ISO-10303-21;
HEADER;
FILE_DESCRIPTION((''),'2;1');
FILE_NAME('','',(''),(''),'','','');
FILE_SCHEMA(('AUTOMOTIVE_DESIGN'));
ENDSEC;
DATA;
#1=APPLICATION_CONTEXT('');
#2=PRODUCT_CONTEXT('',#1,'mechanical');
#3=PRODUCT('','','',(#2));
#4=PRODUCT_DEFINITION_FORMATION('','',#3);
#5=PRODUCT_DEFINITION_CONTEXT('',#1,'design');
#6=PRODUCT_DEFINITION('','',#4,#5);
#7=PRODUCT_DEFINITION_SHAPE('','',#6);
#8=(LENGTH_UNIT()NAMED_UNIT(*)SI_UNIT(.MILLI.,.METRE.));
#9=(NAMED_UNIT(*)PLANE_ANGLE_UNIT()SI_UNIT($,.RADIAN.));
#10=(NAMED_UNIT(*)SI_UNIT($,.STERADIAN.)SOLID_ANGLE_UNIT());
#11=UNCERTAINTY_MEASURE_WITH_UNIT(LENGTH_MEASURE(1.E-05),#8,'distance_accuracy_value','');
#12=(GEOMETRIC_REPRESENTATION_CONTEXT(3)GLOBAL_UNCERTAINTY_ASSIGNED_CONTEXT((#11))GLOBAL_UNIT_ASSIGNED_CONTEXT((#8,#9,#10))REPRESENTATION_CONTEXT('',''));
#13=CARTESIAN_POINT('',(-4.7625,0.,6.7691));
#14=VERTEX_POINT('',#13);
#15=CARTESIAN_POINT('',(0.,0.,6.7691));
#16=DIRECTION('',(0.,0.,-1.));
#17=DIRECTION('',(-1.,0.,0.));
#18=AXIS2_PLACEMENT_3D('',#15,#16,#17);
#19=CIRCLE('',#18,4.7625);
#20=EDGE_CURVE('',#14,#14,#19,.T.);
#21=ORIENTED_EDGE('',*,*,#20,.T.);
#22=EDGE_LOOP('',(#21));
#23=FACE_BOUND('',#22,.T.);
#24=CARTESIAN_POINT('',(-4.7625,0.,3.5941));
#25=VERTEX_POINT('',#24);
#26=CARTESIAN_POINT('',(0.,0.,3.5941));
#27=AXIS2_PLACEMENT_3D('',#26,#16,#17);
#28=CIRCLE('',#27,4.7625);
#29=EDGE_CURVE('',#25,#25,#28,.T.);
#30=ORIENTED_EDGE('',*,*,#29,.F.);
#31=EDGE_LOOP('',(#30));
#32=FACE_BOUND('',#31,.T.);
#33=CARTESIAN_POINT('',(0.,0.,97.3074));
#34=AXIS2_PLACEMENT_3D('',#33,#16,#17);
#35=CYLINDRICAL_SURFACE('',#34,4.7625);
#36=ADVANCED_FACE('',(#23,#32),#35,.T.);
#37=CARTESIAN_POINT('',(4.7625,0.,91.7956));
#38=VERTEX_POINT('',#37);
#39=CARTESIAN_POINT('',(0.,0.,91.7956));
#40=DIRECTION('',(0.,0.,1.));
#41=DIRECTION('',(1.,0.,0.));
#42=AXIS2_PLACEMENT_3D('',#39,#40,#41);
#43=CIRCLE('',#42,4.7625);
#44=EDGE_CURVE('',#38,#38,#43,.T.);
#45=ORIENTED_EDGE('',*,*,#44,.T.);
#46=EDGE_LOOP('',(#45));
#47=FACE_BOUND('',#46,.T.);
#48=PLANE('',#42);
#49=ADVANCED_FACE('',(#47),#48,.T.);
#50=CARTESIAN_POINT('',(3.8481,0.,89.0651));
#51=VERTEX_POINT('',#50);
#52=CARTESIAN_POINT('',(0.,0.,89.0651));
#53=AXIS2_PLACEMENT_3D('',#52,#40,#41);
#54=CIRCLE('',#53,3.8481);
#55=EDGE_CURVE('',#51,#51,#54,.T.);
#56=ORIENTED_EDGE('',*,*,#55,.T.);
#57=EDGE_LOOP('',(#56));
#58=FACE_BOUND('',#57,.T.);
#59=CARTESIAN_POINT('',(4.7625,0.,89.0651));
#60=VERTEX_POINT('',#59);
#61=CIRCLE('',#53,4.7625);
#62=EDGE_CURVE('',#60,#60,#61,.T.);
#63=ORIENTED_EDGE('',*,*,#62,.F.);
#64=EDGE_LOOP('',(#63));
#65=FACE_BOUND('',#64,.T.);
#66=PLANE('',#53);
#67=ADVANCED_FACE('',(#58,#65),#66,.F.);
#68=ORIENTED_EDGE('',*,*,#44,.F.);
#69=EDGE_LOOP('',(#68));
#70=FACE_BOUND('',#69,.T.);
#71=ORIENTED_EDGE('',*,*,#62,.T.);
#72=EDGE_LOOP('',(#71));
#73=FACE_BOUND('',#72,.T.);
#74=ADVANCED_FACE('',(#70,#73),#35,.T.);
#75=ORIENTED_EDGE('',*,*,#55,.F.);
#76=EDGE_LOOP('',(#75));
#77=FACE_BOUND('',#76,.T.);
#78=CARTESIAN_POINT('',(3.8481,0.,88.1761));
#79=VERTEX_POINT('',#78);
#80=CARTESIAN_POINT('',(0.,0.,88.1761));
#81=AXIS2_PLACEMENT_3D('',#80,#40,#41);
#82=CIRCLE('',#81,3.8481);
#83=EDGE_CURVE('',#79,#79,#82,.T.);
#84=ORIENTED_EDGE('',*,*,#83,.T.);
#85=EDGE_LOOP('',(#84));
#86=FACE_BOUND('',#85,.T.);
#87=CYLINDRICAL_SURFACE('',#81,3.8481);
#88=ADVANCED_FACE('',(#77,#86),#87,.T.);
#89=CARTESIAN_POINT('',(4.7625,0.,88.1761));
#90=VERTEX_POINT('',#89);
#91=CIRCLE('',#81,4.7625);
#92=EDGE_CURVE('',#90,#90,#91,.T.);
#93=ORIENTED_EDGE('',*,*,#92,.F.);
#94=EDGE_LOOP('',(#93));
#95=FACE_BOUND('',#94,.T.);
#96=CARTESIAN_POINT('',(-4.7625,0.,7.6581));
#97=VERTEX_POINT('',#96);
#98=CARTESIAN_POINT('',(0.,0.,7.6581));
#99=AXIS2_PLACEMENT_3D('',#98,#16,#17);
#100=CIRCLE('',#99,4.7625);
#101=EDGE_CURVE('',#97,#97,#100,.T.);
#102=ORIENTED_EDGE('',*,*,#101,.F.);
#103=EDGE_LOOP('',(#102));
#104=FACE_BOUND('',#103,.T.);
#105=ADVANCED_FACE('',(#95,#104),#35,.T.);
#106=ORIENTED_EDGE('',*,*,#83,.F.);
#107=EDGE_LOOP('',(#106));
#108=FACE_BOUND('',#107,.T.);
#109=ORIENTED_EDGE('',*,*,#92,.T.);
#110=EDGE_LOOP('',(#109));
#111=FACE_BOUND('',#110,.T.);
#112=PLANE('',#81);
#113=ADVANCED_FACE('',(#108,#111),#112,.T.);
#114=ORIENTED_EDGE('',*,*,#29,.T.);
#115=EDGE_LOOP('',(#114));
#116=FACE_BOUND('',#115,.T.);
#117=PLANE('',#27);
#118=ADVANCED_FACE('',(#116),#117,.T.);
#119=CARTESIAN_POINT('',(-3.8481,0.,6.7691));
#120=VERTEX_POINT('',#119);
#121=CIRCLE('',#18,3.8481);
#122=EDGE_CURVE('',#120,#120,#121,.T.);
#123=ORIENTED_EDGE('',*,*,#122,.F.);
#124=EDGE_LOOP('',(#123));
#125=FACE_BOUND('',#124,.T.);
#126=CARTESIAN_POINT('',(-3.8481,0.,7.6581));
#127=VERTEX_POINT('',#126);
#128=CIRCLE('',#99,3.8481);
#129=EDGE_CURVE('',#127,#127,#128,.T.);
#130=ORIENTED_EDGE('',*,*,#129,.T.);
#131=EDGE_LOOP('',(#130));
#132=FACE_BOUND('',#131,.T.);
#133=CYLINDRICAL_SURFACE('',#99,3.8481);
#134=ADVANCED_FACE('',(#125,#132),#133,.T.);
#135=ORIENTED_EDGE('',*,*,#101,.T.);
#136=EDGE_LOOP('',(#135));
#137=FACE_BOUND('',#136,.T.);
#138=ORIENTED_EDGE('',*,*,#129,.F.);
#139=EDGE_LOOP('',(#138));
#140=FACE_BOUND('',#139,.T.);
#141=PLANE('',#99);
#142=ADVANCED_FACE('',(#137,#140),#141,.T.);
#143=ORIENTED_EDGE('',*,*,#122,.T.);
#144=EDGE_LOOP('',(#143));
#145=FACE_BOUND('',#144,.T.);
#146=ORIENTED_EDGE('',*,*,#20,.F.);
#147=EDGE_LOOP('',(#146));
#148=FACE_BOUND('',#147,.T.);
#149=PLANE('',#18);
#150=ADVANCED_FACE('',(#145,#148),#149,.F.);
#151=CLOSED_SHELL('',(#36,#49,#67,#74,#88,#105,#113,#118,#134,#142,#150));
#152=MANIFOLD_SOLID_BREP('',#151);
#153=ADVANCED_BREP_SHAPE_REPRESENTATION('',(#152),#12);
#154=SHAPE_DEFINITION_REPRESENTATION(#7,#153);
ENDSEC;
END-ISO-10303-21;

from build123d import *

# Parameters (mm, degrees)
SKETCH1_R           = 4.7625
BOSS_EXTRUDE1_DEPTH = 97.3074
SKETCH3_R           = 9.078890277
SKETCH3_R_2         = 3.8481
CUT_EXTRUDE1_DEPTH  = 0.4445
SKETCH4_R           = 7.766517843
SKETCH4_R_2         = 3.8481
CUT_EXTRUDE2_DEPTH  = 0.4445
SKETCH5_R           = 6.35
CUT_EXTRUDE3_DEPTH  = 5.5118
SKETCH6_R           = 6.35
CUT_EXTRUDE4_DEPTH  = 3.5941


with BuildPart() as part:
    # Sketch1 → Boss-Extrude1 (new body)
    with BuildSketch(Plane.XY):
        Circle(SKETCH1_R)
    extrude(amount=BOSS_EXTRUDE1_DEPTH)

    # Sketch3 → Cut-Extrude1 (cut, symmetric)
    with BuildSketch(Plane(origin=(0, 0, 7.2136), x_dir=(-1, 0, 0), z_dir=(0, 0, -1))):
        Circle(SKETCH3_R)
        Circle(SKETCH3_R_2, mode=Mode.SUBTRACT)
    extrude(amount=CUT_EXTRUDE1_DEPTH, both=True, mode=Mode.SUBTRACT)

    # Sketch4 → Cut-Extrude2 (cut, symmetric)
    with BuildSketch(Plane.XY.offset(88.6206)):
        Circle(SKETCH4_R)
        Circle(SKETCH4_R_2, mode=Mode.SUBTRACT)
    extrude(amount=CUT_EXTRUDE2_DEPTH, both=True, mode=Mode.SUBTRACT)

    # Sketch5 → Cut-Extrude3 (cut)
    with BuildSketch(Plane.XY.offset(97.3074)):
        Circle(SKETCH5_R)
    extrude(amount=-CUT_EXTRUDE3_DEPTH, mode=Mode.SUBTRACT)

    # Sketch6 → Cut-Extrude4 (cut)
    with BuildSketch(Plane(origin=(0, 0, 0), x_dir=(-1, 0, 0), z_dir=(0, 0, -1))):
        Circle(SKETCH6_R)
    extrude(amount=-CUT_EXTRUDE4_DEPTH, mode=Mode.SUBTRACT)


solid = part.part
